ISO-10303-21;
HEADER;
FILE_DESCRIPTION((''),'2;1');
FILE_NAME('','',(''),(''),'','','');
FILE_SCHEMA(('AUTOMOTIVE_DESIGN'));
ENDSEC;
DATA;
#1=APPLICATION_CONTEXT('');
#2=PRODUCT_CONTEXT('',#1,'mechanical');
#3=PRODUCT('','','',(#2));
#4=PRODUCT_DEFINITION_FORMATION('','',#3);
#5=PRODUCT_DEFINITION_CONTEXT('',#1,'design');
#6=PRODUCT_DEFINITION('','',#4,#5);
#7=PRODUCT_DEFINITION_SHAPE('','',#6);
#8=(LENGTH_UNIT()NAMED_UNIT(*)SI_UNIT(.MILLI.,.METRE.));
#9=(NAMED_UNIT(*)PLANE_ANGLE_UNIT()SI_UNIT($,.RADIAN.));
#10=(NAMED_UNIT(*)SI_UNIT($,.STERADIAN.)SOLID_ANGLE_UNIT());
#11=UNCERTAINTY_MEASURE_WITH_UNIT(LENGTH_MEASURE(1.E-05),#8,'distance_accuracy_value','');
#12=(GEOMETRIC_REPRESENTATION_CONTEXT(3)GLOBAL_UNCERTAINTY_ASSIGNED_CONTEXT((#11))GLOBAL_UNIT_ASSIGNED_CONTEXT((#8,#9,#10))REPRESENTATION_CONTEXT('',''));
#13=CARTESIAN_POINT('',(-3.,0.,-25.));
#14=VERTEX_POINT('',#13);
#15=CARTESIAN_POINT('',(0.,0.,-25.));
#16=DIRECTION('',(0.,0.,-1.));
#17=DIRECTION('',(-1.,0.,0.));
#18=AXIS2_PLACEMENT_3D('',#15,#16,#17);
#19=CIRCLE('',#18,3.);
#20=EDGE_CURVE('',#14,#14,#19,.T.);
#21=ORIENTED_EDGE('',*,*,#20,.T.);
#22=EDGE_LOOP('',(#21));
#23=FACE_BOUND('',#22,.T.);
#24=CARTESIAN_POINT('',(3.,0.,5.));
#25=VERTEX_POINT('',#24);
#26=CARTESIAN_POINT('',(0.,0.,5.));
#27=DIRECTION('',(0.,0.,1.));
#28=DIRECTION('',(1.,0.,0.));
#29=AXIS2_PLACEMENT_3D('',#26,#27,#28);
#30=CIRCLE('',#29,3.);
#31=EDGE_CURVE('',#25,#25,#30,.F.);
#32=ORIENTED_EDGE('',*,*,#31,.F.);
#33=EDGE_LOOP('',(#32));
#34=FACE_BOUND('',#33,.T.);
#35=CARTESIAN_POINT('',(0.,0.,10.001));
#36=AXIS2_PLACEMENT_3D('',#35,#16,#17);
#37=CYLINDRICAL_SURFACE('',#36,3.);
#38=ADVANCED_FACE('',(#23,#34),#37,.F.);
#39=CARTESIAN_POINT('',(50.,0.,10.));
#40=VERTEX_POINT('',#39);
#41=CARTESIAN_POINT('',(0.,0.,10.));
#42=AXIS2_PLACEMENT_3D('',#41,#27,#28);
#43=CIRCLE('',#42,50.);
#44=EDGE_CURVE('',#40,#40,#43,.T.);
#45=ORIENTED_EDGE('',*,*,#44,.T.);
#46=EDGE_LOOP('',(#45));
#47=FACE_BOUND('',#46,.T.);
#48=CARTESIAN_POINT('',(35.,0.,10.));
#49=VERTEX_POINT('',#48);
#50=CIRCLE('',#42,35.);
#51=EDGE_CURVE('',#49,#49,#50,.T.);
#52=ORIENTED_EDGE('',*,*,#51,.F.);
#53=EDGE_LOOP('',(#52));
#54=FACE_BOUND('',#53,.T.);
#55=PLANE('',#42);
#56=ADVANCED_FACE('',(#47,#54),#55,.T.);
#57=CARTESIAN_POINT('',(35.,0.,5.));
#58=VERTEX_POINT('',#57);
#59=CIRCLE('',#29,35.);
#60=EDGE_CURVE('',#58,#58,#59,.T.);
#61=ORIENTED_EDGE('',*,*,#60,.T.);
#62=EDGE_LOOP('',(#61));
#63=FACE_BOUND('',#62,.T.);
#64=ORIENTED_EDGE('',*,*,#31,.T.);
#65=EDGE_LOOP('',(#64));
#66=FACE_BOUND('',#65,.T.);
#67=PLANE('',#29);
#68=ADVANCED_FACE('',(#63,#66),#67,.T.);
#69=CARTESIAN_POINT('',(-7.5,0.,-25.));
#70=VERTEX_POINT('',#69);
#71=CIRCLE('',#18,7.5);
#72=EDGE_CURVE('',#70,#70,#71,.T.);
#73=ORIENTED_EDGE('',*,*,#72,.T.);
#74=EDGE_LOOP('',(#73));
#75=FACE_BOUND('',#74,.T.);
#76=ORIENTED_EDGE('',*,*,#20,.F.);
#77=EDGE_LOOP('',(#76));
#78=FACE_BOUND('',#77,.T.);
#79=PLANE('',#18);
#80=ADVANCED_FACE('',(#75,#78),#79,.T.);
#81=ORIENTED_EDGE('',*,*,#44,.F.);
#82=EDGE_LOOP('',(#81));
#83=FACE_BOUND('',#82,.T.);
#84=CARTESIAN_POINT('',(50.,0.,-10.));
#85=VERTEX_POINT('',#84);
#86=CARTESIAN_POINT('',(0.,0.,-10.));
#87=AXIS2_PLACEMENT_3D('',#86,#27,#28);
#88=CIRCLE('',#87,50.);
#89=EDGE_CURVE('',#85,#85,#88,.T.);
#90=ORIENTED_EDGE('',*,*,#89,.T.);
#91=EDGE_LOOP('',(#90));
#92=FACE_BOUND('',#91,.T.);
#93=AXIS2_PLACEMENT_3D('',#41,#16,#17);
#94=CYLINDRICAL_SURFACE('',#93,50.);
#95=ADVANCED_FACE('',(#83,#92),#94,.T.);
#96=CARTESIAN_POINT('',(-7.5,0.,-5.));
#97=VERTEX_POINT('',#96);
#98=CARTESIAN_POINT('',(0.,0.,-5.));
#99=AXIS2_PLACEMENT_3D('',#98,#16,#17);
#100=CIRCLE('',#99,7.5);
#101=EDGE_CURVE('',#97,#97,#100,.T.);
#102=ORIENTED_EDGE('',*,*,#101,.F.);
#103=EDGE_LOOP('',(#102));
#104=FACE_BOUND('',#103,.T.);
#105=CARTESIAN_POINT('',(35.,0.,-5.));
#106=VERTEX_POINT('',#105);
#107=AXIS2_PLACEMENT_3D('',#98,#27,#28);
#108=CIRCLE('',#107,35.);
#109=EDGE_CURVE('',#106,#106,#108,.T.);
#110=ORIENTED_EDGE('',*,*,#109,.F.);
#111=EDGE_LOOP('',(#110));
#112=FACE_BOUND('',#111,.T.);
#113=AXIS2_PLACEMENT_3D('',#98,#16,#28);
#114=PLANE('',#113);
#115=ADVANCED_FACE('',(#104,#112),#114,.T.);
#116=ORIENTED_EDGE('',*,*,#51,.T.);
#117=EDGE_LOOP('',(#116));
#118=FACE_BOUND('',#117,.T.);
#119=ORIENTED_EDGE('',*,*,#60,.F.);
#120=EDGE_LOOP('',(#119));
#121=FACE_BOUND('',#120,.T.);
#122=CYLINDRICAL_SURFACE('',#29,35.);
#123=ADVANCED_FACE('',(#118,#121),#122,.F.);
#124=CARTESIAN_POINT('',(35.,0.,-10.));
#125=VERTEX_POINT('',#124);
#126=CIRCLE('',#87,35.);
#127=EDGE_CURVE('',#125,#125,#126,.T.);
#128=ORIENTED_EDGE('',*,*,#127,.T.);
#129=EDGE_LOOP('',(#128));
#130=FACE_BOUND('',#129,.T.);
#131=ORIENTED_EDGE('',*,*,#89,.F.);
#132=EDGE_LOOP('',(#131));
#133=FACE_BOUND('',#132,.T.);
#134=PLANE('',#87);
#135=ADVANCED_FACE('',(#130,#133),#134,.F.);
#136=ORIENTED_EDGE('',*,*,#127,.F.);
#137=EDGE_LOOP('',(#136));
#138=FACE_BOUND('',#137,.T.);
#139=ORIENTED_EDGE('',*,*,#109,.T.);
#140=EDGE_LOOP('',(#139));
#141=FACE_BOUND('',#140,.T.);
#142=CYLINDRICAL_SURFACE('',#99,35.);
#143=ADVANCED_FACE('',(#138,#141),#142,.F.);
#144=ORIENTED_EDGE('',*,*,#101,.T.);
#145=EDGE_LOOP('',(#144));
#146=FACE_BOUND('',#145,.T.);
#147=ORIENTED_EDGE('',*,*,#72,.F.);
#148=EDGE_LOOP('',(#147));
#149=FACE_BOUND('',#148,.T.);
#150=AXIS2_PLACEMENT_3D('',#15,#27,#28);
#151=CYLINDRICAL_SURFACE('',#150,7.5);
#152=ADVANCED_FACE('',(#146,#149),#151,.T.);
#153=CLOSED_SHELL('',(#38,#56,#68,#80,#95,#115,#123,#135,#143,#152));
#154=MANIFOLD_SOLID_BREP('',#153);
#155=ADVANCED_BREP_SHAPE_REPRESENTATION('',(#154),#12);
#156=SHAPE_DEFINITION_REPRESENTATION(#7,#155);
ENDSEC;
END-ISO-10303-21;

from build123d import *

# Parameters (mm, degrees)
SKETCH1_R           = 50
BOSS_EXTRUDE1_DEPTH = 10
SKETCH2_R           = 35
CUT_EXTRUDE1_DEPTH  = 5
SKETCH3_R           = 7.5
BOSS_EXTRUDE2_DEPTH = 20
CUT_EXTRUDE2_REACH  = 37
SKETCH4_R           = 3


with BuildPart() as part:
    # Sketch1 → Boss-Extrude1 (new body, symmetric)
    with BuildSketch(Plane.XY):
        Circle(SKETCH1_R)
    extrude(amount=BOSS_EXTRUDE1_DEPTH, both=True)

    # Sketch2 → Cut-Extrude1 (cut)
    with BuildSketch(Plane.XY.offset(10)):
        Circle(SKETCH2_R)
    cut_extrude1 = extrude(amount=-CUT_EXTRUDE1_DEPTH, mode=Mode.SUBTRACT)

    # Mirror1: Cut-Extrude1 across plane
    add(cut_extrude1.mirror(Plane.XY), mode=Mode.SUBTRACT)

    # Sketch3 → Boss-Extrude2 (add)
    with BuildSketch(Plane(origin=(0, 0, -5), x_dir=(-1, 0, 0), z_dir=(0, 0, -1))):
        Circle(SKETCH3_R)
    extrude(amount=BOSS_EXTRUDE2_DEPTH)

    # Sketch4 → Cut-Extrude2 (cut, up to next)
    with BuildSketch(Plane(origin=(0, 0, -25), x_dir=(-1, 0, 0), z_dir=(0, 0, -1)), mode=Mode.PRIVATE) as cut_extrude2_sk1:
        Circle(SKETCH4_R)
    cut_extrude2_tool1 = extrude(cut_extrude2_sk1.sketch, amount=-CUT_EXTRUDE2_REACH, mode=Mode.PRIVATE) & part.part
    add(cut_extrude2_tool1.solids().sort_by_distance((0, 0, -25))[0], mode=Mode.SUBTRACT)


solid = part.part
